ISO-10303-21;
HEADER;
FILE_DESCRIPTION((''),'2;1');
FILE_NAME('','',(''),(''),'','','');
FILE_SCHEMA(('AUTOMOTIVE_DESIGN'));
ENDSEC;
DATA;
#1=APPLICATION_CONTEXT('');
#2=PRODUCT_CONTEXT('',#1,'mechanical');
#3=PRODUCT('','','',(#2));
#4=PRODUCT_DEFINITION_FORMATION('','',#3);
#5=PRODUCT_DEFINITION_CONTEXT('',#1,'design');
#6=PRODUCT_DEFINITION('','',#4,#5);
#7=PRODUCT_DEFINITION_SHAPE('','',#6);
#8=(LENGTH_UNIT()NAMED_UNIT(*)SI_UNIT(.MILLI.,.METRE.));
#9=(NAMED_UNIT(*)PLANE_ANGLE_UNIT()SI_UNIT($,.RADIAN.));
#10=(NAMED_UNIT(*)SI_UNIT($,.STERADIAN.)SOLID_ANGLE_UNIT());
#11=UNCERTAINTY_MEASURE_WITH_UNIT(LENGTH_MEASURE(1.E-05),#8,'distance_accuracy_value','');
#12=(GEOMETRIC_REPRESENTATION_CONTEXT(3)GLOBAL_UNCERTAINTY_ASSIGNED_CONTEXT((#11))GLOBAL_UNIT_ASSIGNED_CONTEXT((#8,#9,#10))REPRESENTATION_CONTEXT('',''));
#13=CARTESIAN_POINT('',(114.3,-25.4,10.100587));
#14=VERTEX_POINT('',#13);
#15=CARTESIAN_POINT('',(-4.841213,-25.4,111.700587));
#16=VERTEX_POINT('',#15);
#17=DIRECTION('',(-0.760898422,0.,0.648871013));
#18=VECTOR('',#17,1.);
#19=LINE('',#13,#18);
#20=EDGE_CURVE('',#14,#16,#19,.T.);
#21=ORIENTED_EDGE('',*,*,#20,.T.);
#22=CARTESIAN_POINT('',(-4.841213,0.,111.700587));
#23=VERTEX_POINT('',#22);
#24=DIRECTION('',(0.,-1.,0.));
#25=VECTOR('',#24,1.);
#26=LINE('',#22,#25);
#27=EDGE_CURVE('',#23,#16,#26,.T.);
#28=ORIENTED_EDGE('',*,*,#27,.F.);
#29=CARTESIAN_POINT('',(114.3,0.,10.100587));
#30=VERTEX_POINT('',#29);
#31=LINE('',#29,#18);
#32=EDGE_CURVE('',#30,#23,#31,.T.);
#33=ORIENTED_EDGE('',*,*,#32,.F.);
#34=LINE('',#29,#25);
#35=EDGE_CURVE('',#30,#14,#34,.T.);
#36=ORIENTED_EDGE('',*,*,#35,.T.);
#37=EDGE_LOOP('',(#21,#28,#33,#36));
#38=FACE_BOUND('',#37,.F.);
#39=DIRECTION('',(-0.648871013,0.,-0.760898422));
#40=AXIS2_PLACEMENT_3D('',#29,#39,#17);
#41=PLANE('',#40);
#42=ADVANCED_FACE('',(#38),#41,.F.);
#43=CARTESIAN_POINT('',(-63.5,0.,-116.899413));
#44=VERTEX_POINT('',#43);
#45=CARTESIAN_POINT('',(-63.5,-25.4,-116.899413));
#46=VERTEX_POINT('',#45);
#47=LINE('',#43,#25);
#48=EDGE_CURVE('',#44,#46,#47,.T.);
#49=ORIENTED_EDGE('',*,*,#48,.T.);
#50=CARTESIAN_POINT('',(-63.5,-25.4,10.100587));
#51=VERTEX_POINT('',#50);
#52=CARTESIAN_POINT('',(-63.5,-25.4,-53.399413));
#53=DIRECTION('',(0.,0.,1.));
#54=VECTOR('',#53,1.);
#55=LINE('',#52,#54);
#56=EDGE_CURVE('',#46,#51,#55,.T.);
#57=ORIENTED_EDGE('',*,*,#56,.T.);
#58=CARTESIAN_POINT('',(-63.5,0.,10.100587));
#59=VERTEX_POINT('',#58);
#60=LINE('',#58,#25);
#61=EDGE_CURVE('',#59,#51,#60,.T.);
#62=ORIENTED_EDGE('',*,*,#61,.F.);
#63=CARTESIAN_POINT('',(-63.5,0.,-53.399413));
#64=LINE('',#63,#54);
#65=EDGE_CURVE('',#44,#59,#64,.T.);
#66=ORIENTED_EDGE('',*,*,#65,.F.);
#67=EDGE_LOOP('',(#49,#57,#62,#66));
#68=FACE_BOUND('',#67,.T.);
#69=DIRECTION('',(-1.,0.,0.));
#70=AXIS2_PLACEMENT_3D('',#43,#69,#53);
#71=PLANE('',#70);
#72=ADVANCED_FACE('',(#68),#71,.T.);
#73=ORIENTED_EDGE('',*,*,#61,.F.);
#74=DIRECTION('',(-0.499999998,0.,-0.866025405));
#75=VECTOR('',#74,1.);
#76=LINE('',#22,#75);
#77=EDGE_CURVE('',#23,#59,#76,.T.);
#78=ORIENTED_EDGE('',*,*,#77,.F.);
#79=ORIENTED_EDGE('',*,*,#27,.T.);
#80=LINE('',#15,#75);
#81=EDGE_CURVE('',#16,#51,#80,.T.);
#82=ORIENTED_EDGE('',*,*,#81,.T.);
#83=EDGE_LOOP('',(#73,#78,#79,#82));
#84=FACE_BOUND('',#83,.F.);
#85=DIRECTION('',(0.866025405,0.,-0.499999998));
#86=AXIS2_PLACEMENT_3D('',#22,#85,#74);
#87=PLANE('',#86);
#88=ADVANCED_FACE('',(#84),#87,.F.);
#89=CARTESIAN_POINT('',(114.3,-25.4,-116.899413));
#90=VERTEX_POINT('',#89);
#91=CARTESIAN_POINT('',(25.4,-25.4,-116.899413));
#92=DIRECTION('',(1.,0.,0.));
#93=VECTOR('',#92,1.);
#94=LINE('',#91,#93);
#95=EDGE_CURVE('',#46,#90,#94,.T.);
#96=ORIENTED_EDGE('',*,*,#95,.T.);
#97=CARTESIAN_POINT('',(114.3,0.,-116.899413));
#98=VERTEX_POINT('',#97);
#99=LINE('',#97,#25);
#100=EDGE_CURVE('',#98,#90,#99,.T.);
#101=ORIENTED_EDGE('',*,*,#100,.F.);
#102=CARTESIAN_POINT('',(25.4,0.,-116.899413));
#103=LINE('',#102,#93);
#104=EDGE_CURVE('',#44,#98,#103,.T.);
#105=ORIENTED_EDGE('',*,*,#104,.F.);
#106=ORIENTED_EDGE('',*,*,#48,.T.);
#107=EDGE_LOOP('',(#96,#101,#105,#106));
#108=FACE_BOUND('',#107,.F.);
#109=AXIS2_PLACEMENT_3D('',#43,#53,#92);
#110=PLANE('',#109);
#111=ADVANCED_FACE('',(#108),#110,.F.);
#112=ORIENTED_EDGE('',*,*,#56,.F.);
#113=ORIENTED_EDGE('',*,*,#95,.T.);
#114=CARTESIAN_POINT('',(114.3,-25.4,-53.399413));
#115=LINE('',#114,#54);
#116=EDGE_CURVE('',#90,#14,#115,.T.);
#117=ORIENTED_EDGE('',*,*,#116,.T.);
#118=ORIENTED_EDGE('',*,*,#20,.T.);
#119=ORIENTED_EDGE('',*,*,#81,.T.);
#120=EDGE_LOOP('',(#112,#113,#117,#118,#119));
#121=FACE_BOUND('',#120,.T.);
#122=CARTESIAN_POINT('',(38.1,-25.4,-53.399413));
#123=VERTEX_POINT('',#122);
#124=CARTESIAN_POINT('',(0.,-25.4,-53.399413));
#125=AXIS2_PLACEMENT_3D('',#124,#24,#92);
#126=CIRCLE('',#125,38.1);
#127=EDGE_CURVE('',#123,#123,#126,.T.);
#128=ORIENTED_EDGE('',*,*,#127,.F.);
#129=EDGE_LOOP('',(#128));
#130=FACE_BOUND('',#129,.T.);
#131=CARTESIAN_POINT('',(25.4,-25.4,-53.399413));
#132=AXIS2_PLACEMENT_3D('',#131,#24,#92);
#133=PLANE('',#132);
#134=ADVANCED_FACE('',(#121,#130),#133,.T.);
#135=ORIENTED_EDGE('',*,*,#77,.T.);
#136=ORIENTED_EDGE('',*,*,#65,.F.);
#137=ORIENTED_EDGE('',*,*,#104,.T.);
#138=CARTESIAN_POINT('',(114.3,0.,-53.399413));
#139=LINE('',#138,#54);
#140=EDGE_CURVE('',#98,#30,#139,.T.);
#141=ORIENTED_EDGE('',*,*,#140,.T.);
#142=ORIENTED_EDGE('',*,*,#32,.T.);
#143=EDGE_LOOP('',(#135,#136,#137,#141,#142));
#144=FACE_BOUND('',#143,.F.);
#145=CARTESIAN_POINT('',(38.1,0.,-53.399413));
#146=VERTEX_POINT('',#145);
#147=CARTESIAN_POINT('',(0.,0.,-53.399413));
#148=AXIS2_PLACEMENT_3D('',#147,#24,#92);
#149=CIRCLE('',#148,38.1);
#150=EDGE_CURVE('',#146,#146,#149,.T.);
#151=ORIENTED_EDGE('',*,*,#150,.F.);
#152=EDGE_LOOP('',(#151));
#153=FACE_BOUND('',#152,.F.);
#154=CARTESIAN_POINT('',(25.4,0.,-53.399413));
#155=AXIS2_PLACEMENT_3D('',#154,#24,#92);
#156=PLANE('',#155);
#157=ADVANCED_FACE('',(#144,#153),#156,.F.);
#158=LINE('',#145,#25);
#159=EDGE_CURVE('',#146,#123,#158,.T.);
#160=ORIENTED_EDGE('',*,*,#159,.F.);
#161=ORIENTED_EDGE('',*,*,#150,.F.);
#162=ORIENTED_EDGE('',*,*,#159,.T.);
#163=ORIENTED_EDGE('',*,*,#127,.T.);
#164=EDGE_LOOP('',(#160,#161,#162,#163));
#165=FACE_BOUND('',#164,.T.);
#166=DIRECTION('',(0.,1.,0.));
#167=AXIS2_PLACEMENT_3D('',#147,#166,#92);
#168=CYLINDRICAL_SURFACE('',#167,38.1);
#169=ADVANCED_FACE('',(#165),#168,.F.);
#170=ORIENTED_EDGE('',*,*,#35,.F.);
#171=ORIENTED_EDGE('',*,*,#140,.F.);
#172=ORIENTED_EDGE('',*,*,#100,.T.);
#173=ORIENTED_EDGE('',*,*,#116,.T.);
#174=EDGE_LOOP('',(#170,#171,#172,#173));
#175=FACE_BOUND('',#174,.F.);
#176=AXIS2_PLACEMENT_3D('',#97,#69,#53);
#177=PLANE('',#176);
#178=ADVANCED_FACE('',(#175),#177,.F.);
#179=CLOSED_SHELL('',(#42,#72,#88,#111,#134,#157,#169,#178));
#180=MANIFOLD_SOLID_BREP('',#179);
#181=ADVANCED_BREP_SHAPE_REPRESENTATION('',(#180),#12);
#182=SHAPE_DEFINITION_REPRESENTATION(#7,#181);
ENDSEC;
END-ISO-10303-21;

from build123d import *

# Parameters (mm, degrees)
F0_W     = 177.8
F0_H     = 127
F0_R     = 38.1
F1_DEPTH = 25.4


with BuildPart() as f1:
    # F0 (on Front) → F1 (new body)
    with BuildSketch(Plane.XZ):
        with Locations((25.4, -53.399413)):
            Rectangle(F0_W, F0_H)
        with Locations((0, -53.399413)):
            Circle(F0_R, mode=Mode.SUBTRACT)
        Polygon((-63.5, 10.100587), (114.3, 10.100587), (-4.841213, 111.700587), align=None)
    extrude(amount=F1_DEPTH)


solid = f1.part
